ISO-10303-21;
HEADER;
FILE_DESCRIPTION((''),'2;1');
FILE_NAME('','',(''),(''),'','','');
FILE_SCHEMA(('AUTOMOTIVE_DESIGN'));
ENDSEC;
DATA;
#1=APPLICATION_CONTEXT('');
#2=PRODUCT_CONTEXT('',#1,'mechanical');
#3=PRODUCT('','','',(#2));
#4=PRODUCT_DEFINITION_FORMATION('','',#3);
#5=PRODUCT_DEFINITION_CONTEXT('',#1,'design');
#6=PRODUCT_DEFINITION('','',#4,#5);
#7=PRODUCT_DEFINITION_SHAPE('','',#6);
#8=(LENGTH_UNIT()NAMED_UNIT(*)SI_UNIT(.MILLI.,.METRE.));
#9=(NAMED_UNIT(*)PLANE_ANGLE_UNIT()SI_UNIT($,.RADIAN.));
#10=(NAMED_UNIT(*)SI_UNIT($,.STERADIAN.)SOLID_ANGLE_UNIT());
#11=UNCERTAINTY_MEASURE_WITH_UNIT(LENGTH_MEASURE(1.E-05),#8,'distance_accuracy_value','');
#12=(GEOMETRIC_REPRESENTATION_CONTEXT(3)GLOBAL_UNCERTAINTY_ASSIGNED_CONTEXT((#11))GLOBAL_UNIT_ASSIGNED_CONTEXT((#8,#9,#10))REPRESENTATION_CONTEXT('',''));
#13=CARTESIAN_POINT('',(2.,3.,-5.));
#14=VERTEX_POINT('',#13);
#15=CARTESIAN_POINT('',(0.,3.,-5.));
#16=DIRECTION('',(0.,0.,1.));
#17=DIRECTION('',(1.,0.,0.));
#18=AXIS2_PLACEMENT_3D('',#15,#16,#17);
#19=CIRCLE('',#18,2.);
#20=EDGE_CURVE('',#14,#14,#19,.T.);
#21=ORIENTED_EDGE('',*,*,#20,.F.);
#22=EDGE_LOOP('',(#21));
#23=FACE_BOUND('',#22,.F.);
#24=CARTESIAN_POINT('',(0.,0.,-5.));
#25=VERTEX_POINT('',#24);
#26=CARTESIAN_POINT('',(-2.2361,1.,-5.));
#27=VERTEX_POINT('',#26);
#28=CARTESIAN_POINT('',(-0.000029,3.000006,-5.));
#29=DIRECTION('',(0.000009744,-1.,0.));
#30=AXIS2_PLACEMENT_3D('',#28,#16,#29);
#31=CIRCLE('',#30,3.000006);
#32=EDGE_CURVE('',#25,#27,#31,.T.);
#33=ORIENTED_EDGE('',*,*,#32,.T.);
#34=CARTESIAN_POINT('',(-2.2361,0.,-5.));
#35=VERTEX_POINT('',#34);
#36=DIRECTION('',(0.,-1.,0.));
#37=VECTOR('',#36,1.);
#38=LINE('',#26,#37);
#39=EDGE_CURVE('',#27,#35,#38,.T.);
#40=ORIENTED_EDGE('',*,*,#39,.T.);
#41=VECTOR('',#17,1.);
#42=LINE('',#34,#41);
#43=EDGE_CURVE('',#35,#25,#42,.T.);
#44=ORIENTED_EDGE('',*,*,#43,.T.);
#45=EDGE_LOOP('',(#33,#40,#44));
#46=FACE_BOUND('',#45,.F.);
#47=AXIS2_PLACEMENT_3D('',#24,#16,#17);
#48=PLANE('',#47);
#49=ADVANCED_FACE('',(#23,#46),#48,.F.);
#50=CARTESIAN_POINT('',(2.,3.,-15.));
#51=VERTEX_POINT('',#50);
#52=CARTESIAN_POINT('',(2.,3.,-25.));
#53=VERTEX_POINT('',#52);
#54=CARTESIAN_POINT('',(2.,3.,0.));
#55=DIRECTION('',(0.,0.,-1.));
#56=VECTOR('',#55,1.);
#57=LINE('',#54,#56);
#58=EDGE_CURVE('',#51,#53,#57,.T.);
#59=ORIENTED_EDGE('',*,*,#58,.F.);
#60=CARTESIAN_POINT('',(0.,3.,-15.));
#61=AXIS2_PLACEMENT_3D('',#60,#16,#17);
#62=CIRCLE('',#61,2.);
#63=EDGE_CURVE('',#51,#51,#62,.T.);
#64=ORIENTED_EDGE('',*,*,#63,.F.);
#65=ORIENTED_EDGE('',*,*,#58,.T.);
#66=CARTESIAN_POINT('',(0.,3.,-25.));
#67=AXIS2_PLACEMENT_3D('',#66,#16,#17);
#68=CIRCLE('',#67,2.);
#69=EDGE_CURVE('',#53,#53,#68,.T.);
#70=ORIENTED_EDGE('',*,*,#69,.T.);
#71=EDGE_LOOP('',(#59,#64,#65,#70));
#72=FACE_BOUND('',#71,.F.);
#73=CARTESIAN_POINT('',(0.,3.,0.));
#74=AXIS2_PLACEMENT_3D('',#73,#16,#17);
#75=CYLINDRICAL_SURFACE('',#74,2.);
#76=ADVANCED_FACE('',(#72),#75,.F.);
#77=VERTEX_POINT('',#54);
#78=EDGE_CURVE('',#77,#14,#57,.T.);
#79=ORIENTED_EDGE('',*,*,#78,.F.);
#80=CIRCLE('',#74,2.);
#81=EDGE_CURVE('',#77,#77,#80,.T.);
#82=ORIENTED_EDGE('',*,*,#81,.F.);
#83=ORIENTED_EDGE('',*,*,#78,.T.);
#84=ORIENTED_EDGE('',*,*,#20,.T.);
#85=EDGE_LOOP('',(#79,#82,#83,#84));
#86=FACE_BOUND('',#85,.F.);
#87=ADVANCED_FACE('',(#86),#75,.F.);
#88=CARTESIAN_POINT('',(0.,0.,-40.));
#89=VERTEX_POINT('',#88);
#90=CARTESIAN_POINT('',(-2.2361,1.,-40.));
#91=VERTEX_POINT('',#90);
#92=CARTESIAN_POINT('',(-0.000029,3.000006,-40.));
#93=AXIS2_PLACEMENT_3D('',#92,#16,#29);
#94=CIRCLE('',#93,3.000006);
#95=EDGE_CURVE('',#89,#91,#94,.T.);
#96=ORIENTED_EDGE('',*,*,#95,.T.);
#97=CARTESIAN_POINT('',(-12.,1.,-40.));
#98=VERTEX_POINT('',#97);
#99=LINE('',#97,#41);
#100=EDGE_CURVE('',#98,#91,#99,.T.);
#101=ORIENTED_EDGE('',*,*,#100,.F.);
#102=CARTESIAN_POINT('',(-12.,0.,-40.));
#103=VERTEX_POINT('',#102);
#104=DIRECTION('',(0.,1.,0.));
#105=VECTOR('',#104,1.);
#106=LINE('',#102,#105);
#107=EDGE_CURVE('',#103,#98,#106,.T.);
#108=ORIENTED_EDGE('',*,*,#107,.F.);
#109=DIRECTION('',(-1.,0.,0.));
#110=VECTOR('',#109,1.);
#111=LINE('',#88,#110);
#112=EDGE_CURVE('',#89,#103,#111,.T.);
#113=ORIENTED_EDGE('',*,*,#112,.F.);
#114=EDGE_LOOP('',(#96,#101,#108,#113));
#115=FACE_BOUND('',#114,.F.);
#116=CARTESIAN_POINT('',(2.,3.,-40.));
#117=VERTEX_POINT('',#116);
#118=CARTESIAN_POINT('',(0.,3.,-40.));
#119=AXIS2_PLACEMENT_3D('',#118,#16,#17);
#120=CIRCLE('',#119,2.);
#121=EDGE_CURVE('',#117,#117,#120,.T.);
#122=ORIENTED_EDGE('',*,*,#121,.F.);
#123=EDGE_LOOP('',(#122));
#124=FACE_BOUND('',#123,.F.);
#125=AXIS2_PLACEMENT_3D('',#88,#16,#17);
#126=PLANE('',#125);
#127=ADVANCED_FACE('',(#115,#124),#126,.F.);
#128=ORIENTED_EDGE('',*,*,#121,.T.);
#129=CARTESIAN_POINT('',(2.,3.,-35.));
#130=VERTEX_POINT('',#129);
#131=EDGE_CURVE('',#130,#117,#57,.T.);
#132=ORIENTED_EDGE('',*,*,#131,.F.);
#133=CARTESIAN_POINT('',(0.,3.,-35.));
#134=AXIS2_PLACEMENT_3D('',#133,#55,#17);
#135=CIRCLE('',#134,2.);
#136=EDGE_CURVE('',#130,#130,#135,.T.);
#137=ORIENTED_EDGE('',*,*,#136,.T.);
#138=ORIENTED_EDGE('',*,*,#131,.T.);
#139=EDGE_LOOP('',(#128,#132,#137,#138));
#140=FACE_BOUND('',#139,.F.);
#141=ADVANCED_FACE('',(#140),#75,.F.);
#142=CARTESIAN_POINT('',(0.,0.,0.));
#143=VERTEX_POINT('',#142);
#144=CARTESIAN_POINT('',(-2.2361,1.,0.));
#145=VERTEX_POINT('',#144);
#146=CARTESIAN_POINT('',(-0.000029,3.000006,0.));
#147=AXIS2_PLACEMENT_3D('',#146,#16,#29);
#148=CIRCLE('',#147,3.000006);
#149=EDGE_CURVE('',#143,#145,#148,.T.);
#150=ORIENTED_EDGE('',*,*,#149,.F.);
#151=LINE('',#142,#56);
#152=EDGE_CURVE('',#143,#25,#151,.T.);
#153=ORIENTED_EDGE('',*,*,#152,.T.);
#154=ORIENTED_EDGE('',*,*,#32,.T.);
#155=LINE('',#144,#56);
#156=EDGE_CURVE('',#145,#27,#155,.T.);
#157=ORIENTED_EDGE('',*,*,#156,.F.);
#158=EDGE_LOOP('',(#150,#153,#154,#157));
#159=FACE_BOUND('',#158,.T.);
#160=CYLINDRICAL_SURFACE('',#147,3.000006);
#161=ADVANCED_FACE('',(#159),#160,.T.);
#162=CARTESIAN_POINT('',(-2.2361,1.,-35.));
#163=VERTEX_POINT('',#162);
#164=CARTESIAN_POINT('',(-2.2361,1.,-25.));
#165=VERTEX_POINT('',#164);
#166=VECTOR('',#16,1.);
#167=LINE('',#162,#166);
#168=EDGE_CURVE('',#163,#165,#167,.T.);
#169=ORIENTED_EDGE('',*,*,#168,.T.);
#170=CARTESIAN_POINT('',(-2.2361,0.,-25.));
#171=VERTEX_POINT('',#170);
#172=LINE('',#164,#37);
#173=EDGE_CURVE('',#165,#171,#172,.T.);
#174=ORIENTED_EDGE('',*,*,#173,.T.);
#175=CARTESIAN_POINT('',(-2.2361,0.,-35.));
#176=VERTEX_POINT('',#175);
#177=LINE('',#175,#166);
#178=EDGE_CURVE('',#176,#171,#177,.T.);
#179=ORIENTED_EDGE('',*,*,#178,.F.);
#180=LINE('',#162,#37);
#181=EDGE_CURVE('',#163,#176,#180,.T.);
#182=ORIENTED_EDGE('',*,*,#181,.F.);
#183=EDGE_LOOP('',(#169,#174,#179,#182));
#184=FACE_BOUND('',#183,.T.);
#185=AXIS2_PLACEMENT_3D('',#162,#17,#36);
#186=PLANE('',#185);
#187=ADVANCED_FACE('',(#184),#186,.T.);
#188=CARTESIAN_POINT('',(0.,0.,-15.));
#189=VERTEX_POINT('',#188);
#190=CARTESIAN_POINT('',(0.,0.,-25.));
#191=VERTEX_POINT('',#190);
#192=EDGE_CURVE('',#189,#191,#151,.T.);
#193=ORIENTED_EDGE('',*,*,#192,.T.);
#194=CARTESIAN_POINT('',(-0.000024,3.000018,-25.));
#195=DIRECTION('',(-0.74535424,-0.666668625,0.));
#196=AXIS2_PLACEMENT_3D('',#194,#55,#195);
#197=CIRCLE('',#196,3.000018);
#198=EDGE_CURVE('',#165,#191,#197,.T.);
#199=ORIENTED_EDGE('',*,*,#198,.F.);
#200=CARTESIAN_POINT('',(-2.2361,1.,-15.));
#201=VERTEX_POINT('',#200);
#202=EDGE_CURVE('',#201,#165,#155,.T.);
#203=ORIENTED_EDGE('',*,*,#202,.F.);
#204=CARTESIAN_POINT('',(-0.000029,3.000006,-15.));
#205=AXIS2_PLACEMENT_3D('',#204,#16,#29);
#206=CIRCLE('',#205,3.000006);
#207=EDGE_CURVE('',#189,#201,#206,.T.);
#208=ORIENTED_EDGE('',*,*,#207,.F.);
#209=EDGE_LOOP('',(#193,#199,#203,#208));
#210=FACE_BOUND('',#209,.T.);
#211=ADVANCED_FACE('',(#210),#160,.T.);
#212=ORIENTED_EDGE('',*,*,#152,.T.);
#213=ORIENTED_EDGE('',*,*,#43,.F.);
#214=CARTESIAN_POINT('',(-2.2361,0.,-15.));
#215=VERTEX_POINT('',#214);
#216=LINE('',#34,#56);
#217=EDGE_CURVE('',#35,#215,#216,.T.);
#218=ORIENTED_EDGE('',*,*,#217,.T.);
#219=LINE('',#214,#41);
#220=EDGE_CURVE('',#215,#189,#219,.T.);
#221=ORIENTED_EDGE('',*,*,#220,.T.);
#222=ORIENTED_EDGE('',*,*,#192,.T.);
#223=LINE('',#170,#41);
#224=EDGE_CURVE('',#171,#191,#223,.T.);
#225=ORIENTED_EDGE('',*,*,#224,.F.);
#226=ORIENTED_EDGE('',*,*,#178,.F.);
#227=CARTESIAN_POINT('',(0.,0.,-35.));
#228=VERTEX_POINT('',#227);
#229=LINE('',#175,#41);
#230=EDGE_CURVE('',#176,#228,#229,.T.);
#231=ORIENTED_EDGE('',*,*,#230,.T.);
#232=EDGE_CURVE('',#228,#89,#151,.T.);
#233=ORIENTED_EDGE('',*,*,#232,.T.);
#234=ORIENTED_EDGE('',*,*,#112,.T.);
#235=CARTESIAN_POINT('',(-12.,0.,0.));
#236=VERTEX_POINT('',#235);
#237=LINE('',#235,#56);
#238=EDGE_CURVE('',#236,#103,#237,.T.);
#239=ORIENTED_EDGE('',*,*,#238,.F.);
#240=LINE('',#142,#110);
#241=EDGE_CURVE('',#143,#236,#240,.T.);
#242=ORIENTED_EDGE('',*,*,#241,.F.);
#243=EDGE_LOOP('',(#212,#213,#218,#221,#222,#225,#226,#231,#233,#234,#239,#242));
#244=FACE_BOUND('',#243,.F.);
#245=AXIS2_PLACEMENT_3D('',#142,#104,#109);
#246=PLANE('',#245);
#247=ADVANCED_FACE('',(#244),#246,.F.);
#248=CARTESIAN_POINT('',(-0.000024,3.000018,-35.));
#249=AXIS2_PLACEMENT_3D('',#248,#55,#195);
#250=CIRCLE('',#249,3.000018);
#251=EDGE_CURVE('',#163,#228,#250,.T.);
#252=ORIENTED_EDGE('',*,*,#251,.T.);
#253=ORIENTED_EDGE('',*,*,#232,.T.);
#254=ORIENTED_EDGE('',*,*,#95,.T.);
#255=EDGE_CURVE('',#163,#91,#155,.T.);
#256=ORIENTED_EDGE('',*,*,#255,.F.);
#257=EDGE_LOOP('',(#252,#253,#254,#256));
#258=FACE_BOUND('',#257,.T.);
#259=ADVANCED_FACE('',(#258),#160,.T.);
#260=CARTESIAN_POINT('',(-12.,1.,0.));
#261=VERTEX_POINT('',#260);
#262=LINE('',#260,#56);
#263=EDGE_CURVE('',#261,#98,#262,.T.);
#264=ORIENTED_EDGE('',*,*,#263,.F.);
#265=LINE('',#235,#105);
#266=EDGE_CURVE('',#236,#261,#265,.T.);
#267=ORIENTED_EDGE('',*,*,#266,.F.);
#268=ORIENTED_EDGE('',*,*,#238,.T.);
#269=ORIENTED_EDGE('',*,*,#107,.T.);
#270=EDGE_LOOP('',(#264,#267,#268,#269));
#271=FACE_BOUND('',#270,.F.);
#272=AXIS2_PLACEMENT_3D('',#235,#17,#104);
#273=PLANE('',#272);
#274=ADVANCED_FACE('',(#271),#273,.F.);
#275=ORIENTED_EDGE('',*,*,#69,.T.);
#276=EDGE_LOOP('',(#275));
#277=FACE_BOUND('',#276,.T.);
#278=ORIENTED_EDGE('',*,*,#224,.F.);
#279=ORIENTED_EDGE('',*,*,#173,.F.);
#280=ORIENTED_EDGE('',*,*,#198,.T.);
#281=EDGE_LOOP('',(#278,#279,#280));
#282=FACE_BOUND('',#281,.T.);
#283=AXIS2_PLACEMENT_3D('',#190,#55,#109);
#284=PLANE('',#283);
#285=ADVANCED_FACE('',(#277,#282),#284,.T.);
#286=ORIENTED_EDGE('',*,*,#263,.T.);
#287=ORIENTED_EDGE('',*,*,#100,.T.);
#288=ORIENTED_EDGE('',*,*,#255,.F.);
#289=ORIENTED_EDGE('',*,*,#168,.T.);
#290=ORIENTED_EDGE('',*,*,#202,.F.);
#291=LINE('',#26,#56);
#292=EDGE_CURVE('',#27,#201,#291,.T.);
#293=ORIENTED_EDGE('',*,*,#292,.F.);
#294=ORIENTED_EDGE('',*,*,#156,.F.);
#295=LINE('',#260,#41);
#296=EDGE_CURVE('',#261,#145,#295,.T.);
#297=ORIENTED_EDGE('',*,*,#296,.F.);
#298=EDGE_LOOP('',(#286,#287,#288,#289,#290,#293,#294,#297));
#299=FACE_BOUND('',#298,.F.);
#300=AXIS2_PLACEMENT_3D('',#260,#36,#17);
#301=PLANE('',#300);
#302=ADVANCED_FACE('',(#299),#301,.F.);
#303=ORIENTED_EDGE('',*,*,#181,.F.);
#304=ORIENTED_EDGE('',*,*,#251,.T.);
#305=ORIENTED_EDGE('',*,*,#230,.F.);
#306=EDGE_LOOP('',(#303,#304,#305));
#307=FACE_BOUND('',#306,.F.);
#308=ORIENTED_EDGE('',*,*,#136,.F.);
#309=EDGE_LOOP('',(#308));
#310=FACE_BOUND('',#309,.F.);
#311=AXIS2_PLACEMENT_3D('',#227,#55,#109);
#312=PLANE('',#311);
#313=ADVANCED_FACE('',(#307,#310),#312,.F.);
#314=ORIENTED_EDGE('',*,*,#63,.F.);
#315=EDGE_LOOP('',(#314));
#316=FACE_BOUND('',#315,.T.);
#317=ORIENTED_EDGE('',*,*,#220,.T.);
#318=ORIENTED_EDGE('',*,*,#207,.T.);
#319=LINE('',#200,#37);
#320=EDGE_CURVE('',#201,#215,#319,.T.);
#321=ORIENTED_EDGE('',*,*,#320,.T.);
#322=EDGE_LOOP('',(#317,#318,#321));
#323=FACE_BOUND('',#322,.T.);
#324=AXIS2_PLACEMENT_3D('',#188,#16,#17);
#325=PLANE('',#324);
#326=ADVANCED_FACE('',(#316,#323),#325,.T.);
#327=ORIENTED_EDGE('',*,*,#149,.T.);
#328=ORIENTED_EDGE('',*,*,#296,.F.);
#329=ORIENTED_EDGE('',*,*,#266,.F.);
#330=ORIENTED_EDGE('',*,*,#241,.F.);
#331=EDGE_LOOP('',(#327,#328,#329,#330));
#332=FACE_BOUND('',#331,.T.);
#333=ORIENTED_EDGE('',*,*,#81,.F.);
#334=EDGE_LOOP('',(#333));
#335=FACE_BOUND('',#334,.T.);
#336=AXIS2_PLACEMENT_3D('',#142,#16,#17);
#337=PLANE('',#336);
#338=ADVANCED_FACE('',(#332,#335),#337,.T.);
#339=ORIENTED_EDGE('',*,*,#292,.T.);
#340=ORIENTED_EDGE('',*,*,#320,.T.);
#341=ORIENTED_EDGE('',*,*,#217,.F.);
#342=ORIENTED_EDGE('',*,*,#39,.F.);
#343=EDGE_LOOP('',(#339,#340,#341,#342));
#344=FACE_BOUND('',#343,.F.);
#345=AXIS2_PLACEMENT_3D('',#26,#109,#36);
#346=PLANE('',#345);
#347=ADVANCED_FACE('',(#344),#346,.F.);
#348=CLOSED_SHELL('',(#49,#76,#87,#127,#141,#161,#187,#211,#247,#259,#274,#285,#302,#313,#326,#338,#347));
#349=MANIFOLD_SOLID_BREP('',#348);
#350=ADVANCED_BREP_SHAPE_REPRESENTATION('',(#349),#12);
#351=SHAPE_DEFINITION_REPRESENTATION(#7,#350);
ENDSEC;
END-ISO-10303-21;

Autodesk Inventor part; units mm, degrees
ref_plane "YZ Plane" through (0, 0, 0) normal (1, 0, 0) x (0, 1, 0)
sketch "Sketch1" plane through (0, 0, 0) normal (0, 0, 1) x (1, 0, 0)
  line L0 (0, 0) -> (-12, 0)
  line L1 (-12, 0) -> (-12, 1)
  line L2 (-12, 1) -> (-2.2361, 1)
  arc A0 (0, 0) -> (-2.2361, 1) centre (0, 3) ccw
  circle A1 centre (0, 3) radius 2
  dimension "d1" = 1
  dimension "d2" = 6
  dimension "d3" = 4
  dimension "d4" = 12
extrude "Extrusion1" add sketch "Sketch1" against normal blind 40
ref_plane "Work Plane1" through (0, 0, -5) normal (0, 0, 1) x (1, 0, 0)
sketch "Sketch3" plane through (0, 0, -5) normal (0, 0, 1) x (1, 0, 0)
  arc A0 (0, 0) -> (-2.2361, 1) centre (0, 3) ccw projected
  arc A1 (0, 0) -> (-2.2361, 1) centre (0, 3) ccw projected
  line L0 (-2.2361, 1) -> (-2.2361, 0)
  line L1 (-2.2361, 0) -> (0, 0)
  circle A2 centre (0, 3) radius 2 projected
  circle A3 centre (0, 3) radius 2 projected
  point P0 (-2.2361, 1)
extrude "Extrusion2" cut sketch "Sketch3" against normal blind 10
ref_plane "Work Plane2" through (0, 0, -35) normal (0, 0, -1) x (-1, 0, 0)
sketch "Sketch4" plane through (0, 0, -35) normal (0, 0, -1) x (-1, 0, 0)
  arc A0 (2.2361, 1) -> (0, 0) centre (0, 3) ccw projected
  arc A1 (2.2361, 1) -> (0, 0) centre (0, 3) ccw projected
  circle A2 centre (0, 3) radius 2 projected
  circle A3 centre (0, 3) radius 2 projected
  line L0 (2.2361, 1) -> (2.2361, 0)
  line L1 (2.2361, 0) -> (0, 0)
  point P0 (2.2361, 1)
extrude "Extrusion3" cut sketch "Sketch4" against normal blind 10
properties part number "Poker hinge 1"
